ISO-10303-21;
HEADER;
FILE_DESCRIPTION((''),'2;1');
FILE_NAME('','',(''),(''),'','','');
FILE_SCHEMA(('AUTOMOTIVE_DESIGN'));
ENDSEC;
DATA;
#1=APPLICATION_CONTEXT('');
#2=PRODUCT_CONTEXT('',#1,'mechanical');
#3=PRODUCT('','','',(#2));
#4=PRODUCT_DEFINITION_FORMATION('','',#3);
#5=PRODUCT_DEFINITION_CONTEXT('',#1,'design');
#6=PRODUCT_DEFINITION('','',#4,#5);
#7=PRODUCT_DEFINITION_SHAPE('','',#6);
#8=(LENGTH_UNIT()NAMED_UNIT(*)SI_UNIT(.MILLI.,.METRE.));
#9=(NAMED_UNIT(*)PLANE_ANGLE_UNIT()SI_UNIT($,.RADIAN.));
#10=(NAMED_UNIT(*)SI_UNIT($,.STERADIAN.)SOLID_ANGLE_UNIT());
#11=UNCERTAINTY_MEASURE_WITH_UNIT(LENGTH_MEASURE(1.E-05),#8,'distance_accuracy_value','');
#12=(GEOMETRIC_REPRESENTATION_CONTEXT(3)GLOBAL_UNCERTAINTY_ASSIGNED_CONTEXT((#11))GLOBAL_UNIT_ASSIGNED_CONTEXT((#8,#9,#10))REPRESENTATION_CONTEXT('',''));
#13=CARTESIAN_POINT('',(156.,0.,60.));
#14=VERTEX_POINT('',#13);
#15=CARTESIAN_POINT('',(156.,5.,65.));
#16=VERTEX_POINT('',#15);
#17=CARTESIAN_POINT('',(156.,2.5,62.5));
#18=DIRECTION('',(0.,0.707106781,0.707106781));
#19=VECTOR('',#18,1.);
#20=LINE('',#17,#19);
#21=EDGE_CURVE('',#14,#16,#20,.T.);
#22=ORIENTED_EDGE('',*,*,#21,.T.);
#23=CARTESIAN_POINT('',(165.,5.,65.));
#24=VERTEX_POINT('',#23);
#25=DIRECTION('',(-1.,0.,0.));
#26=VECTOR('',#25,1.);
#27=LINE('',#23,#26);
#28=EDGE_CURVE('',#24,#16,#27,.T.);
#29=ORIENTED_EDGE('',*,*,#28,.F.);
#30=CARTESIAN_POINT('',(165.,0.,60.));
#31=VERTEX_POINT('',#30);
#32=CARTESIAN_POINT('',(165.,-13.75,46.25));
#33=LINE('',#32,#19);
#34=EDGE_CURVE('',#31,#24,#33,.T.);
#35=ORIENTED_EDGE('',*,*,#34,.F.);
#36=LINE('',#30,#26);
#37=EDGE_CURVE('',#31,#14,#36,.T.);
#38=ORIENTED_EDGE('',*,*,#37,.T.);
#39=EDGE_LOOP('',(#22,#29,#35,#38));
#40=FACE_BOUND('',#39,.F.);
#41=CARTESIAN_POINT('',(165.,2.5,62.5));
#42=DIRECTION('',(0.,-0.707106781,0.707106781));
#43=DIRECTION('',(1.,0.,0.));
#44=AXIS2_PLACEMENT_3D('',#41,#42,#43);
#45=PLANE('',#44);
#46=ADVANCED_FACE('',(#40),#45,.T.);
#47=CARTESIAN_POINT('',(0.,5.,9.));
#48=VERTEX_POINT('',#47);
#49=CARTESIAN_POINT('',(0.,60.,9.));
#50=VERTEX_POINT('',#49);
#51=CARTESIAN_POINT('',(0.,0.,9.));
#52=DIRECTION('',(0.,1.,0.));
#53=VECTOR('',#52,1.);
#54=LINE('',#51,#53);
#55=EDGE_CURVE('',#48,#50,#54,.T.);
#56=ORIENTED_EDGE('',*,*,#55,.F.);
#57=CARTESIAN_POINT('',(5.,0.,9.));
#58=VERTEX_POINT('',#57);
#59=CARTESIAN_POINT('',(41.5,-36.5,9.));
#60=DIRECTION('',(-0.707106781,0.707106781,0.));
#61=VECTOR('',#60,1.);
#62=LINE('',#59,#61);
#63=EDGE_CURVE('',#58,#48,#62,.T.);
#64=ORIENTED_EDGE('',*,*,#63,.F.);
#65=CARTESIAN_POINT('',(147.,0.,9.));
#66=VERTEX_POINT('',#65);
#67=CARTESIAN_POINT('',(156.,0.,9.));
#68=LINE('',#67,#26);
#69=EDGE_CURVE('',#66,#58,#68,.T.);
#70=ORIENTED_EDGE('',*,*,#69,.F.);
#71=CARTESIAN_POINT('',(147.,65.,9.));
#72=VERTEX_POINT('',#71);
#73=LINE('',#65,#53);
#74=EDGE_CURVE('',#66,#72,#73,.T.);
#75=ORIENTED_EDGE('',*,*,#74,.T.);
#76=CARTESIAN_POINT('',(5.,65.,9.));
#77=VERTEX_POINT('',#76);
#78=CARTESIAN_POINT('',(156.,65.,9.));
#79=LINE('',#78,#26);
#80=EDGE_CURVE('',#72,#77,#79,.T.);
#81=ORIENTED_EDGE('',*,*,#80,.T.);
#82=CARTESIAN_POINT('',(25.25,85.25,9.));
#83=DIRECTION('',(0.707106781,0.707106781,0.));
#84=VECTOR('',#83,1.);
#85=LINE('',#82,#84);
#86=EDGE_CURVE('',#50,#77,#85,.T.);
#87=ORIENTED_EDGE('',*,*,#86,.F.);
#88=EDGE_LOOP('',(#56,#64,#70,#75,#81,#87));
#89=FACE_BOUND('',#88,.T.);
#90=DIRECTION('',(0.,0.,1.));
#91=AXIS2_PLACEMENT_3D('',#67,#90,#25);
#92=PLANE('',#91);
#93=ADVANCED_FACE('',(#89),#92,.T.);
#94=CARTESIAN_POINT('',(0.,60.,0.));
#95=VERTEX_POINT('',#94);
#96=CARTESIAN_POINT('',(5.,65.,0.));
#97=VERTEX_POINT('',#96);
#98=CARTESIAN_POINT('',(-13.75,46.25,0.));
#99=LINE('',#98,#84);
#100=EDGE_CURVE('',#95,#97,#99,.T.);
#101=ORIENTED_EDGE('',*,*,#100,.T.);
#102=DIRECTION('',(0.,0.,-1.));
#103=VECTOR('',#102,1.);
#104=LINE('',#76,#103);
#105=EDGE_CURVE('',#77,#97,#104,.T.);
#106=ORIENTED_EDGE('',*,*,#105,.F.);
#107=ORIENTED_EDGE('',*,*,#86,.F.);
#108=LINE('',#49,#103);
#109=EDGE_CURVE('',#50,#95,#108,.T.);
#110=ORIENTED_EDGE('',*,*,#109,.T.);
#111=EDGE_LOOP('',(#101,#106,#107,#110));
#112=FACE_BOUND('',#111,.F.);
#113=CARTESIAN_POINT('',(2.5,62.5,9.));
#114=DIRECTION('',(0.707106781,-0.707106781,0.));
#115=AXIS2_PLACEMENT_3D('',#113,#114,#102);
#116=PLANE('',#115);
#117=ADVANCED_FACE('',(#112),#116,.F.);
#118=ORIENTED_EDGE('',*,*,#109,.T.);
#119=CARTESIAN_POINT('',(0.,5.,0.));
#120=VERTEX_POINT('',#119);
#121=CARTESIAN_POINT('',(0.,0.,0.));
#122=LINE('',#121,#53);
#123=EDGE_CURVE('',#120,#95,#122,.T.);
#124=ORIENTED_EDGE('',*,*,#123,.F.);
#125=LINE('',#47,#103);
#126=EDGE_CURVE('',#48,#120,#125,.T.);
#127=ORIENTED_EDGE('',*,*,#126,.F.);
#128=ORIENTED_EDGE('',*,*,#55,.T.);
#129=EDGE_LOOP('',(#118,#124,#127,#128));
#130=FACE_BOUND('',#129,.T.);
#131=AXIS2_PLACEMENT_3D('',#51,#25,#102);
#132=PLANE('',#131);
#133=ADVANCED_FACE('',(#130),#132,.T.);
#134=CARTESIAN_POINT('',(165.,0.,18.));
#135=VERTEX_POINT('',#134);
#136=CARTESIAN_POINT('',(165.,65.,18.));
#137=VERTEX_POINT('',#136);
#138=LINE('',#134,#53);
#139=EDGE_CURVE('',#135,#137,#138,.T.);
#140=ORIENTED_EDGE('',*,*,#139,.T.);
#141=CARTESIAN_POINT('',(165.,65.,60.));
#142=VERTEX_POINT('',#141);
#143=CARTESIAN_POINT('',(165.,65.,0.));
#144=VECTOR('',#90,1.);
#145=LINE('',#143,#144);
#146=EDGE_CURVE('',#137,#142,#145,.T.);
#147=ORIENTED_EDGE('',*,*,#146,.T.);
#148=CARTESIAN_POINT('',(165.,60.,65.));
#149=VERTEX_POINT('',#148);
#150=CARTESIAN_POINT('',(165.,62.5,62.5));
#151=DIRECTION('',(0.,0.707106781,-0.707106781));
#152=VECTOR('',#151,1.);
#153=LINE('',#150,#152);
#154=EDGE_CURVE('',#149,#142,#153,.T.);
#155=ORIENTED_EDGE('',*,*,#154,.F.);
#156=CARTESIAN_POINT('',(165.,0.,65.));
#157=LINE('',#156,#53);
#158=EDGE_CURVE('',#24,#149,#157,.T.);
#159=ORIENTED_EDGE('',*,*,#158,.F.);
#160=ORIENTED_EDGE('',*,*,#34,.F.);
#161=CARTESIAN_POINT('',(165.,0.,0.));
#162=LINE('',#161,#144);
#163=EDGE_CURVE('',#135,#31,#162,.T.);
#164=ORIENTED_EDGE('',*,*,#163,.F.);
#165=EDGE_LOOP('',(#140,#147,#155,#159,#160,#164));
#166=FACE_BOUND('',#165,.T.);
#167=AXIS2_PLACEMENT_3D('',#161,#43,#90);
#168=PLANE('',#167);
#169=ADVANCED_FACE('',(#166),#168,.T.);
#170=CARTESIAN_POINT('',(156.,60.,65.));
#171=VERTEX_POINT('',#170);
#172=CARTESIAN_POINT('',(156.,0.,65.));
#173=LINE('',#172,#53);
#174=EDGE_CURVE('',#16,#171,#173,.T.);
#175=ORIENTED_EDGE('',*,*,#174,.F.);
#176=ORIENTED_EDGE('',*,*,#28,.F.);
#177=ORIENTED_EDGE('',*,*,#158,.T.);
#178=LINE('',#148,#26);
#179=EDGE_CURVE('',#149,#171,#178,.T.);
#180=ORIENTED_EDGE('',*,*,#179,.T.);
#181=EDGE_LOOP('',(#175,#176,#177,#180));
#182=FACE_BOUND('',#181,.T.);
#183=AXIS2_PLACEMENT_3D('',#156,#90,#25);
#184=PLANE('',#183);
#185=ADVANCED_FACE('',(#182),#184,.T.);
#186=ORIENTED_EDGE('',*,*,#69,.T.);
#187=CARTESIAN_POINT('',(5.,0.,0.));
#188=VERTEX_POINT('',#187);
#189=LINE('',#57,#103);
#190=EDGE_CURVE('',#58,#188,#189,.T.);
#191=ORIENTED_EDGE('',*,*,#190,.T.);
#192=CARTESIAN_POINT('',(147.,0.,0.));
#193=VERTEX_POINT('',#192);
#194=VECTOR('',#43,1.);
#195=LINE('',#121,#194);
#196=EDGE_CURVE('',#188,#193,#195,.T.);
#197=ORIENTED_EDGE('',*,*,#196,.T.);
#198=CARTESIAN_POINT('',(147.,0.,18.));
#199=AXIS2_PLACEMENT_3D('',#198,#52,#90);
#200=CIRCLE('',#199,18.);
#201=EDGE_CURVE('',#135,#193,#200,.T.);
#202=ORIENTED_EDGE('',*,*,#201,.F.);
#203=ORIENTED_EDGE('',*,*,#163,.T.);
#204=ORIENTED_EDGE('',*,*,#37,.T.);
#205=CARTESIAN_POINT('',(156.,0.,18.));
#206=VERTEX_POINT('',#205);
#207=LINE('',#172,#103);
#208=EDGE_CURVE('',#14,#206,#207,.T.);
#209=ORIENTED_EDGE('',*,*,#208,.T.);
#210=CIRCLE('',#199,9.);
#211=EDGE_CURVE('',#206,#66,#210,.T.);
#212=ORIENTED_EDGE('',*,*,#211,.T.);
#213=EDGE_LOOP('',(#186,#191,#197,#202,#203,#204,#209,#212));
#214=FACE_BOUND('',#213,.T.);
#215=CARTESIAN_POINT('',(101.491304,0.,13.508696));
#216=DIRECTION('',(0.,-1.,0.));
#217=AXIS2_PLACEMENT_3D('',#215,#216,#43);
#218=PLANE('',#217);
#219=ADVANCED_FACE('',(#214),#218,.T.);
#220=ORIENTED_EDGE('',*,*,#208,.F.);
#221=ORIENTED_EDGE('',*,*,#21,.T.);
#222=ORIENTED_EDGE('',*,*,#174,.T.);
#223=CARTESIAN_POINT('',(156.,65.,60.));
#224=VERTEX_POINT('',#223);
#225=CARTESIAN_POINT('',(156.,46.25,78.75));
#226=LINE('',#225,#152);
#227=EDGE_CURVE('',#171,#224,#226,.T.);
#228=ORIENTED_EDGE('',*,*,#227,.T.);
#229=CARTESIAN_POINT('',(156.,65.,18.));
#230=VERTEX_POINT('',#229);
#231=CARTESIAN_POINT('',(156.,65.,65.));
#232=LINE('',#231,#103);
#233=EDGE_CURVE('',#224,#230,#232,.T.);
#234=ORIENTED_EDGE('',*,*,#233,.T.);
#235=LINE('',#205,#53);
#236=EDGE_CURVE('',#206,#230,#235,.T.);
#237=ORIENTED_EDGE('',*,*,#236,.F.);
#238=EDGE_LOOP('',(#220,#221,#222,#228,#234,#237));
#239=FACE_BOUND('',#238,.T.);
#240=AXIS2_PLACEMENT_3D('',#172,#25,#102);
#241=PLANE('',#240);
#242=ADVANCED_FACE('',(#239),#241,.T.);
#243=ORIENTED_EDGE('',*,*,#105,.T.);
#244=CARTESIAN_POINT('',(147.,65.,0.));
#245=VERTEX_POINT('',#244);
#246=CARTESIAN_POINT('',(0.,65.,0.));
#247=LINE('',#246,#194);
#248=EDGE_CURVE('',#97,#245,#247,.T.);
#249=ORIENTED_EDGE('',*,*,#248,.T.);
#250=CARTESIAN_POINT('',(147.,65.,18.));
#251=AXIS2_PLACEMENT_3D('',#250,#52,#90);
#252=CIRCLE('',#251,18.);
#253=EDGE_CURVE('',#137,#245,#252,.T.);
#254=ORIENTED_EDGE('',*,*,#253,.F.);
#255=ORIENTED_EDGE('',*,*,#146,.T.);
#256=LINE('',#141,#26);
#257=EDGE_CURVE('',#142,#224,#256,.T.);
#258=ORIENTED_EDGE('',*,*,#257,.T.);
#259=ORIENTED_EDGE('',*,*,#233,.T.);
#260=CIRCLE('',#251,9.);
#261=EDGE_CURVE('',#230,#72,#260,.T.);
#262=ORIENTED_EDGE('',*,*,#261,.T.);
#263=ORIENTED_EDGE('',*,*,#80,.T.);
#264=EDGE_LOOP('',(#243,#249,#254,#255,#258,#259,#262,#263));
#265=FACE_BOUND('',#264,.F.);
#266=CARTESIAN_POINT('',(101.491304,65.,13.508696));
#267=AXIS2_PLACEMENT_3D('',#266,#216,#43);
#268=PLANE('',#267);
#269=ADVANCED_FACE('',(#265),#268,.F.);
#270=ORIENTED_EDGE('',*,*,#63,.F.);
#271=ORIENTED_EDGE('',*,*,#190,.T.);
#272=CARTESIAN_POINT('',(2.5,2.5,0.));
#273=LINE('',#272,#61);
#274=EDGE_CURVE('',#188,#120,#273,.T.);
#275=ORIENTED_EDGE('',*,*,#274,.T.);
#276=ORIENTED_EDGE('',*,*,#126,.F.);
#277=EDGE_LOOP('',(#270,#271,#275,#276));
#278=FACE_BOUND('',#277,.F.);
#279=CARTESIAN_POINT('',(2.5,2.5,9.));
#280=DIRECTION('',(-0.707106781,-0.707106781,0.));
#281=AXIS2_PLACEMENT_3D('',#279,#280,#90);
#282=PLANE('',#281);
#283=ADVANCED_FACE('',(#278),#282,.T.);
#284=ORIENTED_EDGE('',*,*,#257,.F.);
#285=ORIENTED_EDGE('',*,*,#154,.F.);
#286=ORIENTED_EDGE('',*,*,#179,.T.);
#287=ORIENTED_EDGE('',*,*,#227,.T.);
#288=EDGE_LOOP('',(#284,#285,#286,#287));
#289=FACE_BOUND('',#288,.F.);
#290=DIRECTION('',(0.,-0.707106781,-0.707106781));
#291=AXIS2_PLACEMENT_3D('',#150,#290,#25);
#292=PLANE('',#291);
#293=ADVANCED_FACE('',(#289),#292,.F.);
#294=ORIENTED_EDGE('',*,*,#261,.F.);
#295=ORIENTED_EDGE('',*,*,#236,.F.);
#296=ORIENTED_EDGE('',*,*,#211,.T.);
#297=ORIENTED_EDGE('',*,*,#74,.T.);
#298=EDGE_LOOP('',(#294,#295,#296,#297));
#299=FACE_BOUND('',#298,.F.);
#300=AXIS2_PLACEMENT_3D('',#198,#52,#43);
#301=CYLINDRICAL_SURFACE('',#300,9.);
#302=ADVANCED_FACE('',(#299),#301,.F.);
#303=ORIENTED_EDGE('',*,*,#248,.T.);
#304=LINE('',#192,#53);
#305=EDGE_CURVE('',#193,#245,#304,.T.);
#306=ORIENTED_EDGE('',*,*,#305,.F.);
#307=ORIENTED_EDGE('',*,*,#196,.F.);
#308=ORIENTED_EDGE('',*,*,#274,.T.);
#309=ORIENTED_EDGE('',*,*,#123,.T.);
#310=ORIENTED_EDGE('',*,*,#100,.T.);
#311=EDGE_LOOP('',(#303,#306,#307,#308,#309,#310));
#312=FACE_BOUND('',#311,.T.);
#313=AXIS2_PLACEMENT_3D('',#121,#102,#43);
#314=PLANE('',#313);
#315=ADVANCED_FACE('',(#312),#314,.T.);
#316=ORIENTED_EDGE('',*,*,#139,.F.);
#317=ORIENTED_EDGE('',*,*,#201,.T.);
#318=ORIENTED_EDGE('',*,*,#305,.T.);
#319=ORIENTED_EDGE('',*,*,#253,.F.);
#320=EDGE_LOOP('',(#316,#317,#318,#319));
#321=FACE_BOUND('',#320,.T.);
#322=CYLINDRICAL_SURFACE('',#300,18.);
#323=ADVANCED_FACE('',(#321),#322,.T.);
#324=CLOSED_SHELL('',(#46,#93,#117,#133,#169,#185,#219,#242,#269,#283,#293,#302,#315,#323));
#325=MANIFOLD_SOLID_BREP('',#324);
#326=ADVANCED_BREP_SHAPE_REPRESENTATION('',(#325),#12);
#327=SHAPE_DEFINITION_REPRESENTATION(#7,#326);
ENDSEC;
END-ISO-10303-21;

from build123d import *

# Parameters (mm, degrees)
F1_DEPTH = 65
F2_R     = 9
F3_R     = 18
F4_SIZE  = 5


with BuildPart() as f1:
    # F0 (on Front) → F1 (new body)
    with BuildSketch(Plane.XZ):
        Polygon((0, 9), (0, 0), (165, 0), (165, 65), (156, 65), (156, 9), align=None)
    extrude(amount=-F1_DEPTH)

    # F2
    f2_edges = [f1.edges().sort_by_distance(p)[0] for p in [
        (156, 32.5, 9),
    ]]
    fillet(f2_edges, radius=F2_R)

    # F3
    f3_edges = [f1.edges().sort_by_distance(p)[0] for p in [
        (165, 32.5, 0),
    ]]
    fillet(f3_edges, radius=F3_R)

    # F4
    f4_edges = [f1.edges().sort_by_distance(p)[0] for p in [
        (160.5, 65, 65),
        (160.5, 0, 65),
        (0, 65, 4.5),
        (0, 0, 4.5),
    ]]
    chamfer(f4_edges, length=F4_SIZE)


solid = f1.part
